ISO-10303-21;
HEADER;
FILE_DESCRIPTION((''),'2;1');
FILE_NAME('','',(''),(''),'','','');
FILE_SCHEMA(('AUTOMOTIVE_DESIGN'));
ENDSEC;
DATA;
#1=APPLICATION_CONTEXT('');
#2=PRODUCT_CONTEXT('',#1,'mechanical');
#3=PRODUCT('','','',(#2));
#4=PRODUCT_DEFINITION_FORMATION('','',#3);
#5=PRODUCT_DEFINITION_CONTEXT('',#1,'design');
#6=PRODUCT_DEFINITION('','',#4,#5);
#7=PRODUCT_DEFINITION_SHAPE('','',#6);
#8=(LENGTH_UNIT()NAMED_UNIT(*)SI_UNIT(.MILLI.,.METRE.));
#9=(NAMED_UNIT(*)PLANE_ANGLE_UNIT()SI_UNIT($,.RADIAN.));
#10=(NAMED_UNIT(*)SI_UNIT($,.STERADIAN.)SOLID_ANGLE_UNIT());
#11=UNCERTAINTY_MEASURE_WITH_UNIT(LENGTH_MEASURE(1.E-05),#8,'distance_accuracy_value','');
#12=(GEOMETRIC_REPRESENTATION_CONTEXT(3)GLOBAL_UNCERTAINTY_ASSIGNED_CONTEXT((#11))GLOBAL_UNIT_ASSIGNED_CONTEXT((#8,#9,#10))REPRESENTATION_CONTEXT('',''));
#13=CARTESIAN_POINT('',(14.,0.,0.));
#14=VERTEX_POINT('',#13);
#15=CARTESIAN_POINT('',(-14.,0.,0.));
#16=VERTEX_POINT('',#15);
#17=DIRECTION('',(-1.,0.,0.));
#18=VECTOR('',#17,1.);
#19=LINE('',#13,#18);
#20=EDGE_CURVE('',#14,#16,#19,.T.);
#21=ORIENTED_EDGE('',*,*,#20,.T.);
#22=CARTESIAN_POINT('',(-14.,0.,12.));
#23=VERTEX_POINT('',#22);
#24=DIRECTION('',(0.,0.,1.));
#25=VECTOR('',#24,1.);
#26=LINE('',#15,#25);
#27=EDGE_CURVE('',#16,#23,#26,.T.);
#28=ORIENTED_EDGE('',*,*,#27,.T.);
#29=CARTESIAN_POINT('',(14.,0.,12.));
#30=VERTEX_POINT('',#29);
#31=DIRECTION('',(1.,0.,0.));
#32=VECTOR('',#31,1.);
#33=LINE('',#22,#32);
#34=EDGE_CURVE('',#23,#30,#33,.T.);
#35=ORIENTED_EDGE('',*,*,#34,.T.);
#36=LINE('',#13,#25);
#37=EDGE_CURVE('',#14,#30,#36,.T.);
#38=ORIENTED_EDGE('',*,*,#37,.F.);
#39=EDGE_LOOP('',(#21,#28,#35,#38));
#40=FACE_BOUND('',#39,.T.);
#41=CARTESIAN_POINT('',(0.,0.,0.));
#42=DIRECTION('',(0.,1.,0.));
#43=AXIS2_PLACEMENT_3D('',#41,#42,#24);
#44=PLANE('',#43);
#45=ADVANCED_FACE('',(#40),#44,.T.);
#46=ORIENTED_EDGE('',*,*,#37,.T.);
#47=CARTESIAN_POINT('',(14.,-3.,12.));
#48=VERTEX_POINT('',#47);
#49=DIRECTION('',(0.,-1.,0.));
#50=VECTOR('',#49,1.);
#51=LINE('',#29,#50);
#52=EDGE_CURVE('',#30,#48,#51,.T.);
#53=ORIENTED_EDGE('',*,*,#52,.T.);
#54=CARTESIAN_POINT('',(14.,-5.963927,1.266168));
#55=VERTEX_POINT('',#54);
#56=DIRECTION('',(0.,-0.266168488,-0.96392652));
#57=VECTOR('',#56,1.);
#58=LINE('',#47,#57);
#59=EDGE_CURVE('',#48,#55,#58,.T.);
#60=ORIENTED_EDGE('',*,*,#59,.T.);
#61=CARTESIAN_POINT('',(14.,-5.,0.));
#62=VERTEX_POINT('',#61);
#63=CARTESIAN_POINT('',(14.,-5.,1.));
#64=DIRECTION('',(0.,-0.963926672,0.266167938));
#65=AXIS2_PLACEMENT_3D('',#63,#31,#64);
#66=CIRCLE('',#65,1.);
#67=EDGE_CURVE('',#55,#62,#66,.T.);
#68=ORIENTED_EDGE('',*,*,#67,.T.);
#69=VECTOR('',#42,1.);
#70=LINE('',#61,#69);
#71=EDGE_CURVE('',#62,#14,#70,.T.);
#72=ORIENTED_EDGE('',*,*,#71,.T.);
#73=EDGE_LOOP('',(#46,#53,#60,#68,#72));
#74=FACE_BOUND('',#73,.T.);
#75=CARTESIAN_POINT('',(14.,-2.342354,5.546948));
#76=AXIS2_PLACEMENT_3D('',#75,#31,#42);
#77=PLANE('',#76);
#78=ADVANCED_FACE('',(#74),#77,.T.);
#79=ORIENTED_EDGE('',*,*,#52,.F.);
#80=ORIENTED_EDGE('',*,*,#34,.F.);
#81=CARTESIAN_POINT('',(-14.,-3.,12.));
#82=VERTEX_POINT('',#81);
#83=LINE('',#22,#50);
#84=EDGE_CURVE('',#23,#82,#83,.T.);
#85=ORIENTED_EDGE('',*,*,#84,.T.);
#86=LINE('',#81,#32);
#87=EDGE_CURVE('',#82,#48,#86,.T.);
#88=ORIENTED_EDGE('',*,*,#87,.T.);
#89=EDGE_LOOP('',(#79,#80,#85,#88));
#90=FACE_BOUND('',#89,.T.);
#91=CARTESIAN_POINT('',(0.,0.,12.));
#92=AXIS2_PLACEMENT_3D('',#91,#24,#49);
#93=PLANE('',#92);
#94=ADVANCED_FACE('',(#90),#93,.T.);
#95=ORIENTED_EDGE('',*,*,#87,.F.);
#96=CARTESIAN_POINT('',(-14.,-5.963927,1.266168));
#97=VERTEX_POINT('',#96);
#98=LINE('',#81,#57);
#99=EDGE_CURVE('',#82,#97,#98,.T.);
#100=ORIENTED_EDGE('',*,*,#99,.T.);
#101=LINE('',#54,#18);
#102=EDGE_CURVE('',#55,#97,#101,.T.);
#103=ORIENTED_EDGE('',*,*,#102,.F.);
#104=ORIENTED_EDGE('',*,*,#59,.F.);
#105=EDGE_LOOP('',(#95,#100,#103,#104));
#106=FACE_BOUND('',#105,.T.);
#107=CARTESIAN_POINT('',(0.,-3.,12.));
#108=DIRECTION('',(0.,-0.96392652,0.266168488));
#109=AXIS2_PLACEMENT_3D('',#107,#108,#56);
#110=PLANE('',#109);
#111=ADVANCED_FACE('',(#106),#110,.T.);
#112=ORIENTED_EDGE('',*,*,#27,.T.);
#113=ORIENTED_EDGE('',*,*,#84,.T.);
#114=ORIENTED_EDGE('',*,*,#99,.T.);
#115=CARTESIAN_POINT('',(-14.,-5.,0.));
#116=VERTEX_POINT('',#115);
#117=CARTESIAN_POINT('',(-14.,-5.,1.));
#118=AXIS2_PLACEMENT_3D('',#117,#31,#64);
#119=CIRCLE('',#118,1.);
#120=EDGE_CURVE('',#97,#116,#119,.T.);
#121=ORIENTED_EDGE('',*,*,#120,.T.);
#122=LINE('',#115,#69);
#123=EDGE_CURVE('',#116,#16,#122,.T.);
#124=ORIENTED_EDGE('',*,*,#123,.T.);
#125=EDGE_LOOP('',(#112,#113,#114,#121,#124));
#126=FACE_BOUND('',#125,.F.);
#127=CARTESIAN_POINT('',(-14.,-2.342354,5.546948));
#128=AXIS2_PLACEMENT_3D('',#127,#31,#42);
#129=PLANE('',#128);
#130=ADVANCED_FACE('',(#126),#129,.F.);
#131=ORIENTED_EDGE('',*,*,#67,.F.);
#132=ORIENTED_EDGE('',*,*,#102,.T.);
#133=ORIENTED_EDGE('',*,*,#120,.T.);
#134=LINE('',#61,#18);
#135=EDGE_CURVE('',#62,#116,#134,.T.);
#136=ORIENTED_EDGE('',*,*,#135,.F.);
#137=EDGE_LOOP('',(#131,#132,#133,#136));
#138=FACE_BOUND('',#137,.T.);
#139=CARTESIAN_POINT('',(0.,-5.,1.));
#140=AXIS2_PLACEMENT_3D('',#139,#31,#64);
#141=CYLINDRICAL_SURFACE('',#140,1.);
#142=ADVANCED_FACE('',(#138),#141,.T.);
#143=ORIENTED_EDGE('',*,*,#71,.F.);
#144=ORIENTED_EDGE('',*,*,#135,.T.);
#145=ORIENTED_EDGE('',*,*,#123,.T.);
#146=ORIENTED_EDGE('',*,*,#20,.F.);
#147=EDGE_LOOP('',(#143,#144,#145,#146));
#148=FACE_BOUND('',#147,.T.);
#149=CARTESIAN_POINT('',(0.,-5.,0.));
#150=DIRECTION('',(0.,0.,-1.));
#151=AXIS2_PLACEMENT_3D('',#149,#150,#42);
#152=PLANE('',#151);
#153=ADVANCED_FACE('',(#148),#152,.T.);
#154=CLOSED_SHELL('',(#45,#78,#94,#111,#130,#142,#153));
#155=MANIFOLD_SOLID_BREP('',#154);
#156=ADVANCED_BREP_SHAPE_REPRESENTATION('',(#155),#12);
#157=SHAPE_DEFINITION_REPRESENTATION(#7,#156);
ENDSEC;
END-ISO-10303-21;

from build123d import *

# Parameters (mm, degrees)
PAD_DEPTH = 14


with BuildPart() as part:
    # Sketch → Pad (new body, symmetric)
    with BuildSketch(Plane.YZ):
        with BuildLine():
            Line((0, 0), (0, 12))
            Line((0, 12), (-3, 12))
            Line((-3, 12), (-5.963927, 1.266168))
            ThreePointArc((-5.963927, 1.266168), (-5.795666, 0.394264), (-5, 0))
            Line((-5, 0), (0, 0))
        make_face()
    extrude(amount=PAD_DEPTH, both=True)


solid = part.part
